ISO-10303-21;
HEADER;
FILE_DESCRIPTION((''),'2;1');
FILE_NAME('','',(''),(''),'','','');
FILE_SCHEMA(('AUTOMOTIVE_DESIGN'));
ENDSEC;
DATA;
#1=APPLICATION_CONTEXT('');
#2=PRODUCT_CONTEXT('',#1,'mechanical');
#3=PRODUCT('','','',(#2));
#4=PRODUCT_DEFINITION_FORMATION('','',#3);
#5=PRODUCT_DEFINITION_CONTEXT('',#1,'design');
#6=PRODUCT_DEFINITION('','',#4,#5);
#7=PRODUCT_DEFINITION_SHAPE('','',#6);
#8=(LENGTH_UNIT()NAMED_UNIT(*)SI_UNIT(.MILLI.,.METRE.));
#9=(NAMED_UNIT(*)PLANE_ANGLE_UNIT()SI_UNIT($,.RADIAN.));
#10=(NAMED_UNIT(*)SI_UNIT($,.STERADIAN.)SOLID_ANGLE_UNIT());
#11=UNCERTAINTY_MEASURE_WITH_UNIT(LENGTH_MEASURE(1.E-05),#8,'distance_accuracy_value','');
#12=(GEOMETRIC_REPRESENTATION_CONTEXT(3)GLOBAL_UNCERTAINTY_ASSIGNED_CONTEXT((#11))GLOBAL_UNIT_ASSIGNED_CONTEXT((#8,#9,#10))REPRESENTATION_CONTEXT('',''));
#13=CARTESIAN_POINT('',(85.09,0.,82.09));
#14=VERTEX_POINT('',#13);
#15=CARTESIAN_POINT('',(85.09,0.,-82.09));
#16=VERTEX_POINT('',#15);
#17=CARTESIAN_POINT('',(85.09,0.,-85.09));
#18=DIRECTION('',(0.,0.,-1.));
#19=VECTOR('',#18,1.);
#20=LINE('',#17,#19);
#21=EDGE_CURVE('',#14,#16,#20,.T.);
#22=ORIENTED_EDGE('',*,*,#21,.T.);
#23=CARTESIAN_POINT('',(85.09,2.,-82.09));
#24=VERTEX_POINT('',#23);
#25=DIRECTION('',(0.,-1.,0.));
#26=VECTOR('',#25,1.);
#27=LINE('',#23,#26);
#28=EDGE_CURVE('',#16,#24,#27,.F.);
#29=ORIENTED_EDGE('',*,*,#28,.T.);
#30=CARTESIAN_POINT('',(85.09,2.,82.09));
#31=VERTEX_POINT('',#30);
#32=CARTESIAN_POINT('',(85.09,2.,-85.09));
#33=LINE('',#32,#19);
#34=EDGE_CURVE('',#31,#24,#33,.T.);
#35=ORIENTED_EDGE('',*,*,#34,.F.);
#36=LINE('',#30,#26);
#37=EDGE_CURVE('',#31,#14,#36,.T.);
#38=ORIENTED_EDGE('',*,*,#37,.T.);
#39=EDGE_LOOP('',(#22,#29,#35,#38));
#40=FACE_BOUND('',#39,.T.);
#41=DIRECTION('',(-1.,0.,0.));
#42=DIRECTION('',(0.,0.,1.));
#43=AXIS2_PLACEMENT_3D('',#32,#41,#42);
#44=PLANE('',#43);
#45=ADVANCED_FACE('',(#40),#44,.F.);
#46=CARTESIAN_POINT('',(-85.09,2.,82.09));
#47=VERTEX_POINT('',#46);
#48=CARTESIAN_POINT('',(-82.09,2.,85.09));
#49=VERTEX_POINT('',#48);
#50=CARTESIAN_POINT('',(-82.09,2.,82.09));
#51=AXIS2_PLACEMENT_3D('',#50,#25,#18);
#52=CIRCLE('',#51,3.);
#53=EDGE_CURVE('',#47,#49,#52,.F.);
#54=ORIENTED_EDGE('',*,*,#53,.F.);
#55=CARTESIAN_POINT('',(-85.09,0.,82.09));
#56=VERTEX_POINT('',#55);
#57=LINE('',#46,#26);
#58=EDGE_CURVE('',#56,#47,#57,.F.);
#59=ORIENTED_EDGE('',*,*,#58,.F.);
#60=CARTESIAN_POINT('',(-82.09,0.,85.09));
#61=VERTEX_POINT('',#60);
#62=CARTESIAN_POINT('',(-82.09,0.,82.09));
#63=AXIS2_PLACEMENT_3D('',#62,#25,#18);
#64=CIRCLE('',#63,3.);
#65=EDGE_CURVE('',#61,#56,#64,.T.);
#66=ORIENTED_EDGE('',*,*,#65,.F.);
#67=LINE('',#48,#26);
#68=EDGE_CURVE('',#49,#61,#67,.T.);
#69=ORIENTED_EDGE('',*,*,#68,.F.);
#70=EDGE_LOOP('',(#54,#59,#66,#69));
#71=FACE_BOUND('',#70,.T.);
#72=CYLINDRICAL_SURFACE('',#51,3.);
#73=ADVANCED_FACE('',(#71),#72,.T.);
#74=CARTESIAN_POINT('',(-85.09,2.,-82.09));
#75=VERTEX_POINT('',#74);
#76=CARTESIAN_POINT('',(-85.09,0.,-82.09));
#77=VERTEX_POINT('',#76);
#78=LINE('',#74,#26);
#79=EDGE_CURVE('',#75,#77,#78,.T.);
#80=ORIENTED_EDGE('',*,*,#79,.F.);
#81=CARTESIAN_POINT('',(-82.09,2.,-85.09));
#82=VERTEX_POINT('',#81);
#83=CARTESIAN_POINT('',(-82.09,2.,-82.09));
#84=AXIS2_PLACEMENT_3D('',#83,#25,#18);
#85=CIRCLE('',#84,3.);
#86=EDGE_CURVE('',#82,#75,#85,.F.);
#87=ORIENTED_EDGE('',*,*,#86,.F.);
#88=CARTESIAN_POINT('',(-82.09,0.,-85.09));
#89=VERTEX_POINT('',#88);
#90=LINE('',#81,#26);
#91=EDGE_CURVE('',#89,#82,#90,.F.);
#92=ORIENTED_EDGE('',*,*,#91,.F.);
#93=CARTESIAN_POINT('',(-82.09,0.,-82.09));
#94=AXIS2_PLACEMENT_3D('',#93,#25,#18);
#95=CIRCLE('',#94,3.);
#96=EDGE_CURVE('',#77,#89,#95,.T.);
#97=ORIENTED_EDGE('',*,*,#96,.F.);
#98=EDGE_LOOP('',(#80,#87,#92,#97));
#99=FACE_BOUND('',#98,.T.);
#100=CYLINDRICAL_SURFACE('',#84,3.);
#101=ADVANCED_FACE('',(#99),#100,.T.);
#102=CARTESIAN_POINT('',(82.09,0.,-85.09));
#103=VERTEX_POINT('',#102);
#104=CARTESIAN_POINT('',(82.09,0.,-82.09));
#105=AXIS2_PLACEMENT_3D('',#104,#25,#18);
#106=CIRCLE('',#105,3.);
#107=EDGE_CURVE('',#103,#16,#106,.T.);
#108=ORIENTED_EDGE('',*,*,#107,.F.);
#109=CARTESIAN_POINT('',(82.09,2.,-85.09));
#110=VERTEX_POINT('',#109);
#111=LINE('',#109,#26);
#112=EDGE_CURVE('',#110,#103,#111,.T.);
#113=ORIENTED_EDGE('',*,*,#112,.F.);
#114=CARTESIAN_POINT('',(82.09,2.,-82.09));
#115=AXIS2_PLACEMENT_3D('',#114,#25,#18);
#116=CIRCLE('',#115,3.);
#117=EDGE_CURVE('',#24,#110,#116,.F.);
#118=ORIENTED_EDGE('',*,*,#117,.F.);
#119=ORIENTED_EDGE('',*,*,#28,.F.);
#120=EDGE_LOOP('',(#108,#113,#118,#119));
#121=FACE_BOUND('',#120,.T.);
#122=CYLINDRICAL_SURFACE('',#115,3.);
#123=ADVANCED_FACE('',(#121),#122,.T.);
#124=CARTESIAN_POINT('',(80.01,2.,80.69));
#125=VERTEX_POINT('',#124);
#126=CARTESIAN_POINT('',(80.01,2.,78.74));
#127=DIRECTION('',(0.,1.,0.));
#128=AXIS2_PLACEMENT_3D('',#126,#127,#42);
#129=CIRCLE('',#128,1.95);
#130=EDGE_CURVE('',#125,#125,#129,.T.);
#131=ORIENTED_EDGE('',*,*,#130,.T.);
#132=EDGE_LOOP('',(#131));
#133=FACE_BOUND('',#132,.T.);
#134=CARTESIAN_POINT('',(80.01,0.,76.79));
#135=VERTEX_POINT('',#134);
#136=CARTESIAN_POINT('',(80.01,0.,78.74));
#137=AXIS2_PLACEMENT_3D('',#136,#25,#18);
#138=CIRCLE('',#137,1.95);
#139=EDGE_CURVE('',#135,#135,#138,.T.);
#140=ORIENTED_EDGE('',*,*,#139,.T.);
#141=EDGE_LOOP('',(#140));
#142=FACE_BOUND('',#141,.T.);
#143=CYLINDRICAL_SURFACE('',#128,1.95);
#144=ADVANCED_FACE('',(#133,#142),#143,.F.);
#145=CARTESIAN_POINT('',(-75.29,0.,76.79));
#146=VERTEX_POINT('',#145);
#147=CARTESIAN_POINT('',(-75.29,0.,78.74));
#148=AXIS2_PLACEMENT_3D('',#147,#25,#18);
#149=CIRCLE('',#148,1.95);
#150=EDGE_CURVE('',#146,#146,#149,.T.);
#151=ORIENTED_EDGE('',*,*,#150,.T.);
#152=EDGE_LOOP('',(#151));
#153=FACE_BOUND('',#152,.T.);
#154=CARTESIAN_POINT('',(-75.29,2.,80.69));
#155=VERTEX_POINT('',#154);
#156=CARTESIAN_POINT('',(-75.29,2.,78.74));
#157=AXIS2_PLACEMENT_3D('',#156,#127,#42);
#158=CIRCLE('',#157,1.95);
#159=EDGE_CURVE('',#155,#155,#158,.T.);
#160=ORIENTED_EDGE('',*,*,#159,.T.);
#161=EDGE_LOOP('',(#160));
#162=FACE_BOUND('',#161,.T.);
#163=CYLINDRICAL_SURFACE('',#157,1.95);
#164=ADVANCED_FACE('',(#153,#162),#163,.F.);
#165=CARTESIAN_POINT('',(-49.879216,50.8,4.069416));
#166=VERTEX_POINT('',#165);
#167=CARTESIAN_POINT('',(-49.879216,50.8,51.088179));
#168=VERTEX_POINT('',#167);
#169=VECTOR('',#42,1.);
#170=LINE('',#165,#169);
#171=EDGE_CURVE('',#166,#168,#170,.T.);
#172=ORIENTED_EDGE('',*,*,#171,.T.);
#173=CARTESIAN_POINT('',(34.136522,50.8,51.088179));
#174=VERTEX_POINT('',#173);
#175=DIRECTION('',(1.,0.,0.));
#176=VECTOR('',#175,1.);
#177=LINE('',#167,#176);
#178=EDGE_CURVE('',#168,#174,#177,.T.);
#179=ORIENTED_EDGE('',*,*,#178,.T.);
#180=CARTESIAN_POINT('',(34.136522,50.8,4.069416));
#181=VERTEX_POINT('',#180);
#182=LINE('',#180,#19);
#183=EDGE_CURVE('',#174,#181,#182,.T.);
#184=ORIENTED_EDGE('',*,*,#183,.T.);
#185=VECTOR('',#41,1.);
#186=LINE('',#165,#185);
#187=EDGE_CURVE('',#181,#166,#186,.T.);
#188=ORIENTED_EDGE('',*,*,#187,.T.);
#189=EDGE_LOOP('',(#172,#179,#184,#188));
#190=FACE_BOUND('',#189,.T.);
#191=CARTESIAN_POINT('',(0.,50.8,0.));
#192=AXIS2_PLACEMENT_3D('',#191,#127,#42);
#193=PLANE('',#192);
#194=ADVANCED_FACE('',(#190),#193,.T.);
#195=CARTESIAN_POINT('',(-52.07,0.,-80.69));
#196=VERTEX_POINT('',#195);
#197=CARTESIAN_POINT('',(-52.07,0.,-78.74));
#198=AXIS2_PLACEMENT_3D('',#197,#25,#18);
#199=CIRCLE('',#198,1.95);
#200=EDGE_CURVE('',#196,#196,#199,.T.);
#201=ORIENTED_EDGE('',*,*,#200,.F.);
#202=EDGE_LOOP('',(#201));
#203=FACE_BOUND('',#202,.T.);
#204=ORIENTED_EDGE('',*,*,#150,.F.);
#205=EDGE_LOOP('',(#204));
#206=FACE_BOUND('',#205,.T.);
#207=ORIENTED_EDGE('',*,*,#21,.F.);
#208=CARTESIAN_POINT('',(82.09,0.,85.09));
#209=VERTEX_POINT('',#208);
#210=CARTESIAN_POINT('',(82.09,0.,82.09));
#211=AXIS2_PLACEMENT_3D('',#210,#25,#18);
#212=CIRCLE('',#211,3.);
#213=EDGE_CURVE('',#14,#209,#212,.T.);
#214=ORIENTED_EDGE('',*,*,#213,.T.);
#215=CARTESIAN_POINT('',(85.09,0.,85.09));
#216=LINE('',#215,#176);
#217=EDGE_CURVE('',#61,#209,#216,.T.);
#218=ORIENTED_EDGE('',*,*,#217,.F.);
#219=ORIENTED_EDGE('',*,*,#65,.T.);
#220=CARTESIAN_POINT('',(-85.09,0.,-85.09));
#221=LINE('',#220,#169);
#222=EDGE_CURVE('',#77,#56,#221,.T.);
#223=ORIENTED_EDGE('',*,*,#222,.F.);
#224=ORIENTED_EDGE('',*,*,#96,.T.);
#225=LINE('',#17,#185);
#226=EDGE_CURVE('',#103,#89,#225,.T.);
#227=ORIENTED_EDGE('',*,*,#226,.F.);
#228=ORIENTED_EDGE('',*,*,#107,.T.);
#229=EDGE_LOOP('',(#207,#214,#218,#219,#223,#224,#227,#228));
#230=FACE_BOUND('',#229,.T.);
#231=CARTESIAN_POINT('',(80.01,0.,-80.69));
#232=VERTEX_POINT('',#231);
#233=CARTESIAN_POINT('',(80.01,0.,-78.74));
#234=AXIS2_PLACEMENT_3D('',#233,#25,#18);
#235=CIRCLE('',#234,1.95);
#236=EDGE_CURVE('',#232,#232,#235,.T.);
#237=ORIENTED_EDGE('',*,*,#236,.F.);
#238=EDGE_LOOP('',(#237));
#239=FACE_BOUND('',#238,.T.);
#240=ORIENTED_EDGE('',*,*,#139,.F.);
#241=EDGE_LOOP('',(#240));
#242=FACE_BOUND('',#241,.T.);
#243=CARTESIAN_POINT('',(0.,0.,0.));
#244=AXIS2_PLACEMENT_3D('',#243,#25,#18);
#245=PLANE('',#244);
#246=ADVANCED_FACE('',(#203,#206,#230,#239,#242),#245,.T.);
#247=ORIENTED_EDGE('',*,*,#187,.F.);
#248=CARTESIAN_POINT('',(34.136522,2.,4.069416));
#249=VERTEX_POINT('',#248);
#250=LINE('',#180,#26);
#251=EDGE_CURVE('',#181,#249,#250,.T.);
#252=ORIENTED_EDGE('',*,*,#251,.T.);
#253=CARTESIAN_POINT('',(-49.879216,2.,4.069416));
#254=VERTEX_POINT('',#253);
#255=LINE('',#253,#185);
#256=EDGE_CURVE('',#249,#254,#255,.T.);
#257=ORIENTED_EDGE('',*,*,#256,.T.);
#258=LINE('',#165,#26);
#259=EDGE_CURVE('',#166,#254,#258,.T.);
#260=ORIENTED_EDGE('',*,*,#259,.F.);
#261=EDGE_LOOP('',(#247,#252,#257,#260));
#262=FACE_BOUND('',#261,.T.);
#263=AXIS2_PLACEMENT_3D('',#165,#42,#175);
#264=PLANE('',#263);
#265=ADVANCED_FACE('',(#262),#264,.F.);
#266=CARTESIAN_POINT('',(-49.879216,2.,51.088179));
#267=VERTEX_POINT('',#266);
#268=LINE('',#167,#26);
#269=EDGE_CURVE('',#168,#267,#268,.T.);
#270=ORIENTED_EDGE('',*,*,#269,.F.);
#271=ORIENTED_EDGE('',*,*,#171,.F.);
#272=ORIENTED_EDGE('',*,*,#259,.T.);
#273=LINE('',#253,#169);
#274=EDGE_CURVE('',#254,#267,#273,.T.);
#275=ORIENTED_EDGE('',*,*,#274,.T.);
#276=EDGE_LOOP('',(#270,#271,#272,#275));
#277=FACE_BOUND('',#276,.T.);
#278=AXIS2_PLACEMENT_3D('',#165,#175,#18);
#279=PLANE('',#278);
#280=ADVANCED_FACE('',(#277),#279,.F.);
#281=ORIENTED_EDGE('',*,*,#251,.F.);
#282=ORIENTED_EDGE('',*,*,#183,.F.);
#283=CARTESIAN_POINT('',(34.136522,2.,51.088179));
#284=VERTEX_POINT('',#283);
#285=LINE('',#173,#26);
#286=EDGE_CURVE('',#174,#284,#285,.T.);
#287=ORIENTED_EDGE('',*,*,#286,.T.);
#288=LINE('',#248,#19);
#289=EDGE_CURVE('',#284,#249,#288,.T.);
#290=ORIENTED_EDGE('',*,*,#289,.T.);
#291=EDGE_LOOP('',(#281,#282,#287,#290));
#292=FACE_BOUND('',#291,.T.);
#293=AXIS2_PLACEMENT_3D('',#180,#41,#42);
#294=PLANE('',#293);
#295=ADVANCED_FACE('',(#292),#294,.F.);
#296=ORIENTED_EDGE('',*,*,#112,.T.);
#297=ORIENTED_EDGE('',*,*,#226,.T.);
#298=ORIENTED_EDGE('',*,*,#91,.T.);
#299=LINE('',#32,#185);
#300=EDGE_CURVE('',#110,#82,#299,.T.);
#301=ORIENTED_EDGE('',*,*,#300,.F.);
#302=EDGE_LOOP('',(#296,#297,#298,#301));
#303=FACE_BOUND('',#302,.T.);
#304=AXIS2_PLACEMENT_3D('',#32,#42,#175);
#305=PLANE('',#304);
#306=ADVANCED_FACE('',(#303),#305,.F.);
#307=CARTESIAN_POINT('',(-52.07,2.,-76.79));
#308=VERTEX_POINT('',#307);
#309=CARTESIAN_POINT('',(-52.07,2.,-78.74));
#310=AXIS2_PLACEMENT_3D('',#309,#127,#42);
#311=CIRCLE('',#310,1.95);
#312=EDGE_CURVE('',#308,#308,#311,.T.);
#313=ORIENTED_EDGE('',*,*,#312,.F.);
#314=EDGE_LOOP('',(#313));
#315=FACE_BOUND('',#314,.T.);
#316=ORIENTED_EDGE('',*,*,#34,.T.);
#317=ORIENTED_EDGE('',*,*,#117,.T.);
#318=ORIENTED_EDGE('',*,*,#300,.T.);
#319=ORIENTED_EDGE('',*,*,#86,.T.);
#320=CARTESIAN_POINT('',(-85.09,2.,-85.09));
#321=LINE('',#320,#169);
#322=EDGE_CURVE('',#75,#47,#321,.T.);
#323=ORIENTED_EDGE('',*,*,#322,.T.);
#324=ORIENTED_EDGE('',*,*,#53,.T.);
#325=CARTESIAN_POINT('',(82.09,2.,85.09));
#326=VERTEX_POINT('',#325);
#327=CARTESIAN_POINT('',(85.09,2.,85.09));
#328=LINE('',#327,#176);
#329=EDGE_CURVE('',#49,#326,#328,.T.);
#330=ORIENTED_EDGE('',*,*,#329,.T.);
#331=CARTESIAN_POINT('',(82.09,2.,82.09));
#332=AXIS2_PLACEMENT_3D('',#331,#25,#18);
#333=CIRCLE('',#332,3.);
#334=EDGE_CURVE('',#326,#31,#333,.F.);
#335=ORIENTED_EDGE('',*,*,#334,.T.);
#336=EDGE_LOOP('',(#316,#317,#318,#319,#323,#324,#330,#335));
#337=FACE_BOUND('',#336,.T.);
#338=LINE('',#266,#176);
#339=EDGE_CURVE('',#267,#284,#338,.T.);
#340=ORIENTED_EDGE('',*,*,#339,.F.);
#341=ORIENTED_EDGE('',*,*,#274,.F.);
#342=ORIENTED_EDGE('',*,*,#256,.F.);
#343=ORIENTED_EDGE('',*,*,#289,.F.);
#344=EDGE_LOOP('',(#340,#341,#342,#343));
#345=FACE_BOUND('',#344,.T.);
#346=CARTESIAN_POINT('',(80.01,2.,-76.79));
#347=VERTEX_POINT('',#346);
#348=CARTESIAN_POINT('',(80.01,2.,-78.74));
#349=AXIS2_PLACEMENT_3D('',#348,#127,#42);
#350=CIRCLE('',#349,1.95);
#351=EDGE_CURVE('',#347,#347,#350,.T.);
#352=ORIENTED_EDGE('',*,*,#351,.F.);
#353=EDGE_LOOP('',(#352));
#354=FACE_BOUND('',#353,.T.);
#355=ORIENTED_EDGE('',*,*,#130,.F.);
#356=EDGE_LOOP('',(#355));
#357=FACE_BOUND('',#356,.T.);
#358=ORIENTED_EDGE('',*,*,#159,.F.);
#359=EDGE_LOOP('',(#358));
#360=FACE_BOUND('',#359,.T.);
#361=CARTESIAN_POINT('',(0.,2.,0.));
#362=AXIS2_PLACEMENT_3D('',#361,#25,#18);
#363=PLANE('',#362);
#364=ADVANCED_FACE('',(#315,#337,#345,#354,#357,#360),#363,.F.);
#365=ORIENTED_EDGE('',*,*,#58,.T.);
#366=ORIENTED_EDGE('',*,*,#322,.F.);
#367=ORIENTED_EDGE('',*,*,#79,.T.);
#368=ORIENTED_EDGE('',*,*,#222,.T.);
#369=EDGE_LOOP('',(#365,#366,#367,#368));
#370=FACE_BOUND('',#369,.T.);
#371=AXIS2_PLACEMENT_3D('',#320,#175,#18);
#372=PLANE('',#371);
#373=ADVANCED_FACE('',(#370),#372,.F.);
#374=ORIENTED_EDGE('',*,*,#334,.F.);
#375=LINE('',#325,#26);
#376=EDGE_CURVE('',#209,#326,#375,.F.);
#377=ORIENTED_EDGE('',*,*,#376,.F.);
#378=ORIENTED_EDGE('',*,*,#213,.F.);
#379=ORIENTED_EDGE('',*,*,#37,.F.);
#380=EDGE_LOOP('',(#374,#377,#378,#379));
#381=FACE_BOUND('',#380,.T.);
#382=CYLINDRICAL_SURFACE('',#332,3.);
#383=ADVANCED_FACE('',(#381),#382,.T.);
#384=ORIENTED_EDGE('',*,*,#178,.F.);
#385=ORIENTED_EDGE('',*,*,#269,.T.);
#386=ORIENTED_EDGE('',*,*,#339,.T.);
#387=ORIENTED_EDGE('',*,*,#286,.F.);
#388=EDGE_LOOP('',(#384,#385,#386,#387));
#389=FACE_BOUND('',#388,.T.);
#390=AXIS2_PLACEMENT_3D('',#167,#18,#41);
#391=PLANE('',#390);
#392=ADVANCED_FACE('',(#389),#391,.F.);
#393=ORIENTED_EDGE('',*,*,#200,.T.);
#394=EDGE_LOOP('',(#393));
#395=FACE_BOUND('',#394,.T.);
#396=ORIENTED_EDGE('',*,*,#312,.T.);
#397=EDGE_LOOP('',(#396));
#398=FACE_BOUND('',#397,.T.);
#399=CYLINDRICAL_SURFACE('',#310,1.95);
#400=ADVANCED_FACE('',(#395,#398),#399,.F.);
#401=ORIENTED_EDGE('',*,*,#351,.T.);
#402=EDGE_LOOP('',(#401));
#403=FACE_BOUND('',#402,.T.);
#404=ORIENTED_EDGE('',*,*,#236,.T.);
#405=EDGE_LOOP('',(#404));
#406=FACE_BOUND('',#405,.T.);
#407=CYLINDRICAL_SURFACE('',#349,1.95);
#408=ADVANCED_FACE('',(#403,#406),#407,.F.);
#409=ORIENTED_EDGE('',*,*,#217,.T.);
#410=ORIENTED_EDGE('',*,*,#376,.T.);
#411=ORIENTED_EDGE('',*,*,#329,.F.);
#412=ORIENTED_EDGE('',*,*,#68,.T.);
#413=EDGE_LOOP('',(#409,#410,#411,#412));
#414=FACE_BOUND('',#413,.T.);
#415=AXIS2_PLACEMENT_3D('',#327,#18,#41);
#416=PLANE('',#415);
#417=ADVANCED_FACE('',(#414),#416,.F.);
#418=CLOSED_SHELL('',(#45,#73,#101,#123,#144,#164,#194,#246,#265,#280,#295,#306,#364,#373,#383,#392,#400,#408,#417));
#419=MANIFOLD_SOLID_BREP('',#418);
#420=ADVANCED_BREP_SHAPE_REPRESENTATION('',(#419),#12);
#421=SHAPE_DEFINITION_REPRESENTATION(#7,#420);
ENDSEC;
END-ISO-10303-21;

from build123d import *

# Parameters (mm, degrees)
SKETCH1_W                      = 170.18
SKETCH1_H                      = 170.18
BOSS_EXTRUDE1_DEPTH            = 2
SKETCH2_W                      = 84.015738727
SKETCH2_H                      = 47.018762818
BOSS_EXTRUDE2_DEPTH            = 48.8
FILLET1_R                      = 3
F_3_9_3_9_DIAMETER_HOLE1_D     = 3.9
F_3_9_3_9_DIAMETER_HOLE1_DEPTH = 18.75
F_3_9_3_9_DIAMETER_HOLE1_TIP   = 1.171678207


with BuildPart() as part:
    # Sketch1 → Boss-Extrude1 (new body)
    with BuildSketch(Plane(origin=(0, 0, 0), x_dir=(1, 0, 0), z_dir=(0, 1, 0))):
        Rectangle(SKETCH1_W, SKETCH1_H)
    extrude(amount=BOSS_EXTRUDE1_DEPTH)

    # Sketch2 → Boss-Extrude2 (add)
    with BuildSketch(Plane(origin=(0, 2, 0), x_dir=(1, 0, 0), z_dir=(0, 1, 0))):
        with Locations((-7.871346986, -27.578797891)):
            Rectangle(SKETCH2_W, SKETCH2_H)
    extrude(amount=BOSS_EXTRUDE2_DEPTH)

    # Fillet1
    fillet1_edges = [part.edges().sort_by_distance(p)[0] for p in [
        (-85.09, 1, -85.09),
        (85.09, 1, -85.09),
        (85.09, 1, 85.09),
        (-85.09, 1, 85.09),
    ]]
    fillet(fillet1_edges, radius=FILLET1_R)

    # Ø3.9 (3.9) Diameter Hole1
    with Locations(Plane(origin=(0, 2, 0), x_dir=(1, 0, 0), z_dir=(0, 1, 0))):
        with Locations((-75.29, -78.74), (80.01, -78.74), (80.01, 78.74), (-52.07, 78.74)):
            Hole(F_3_9_3_9_DIAMETER_HOLE1_D / 2, depth=F_3_9_3_9_DIAMETER_HOLE1_DEPTH)
            with Locations((0, 0, -(F_3_9_3_9_DIAMETER_HOLE1_DEPTH + F_3_9_3_9_DIAMETER_HOLE1_TIP / 2))):  # 118° drill point
                Cone(0, F_3_9_3_9_DIAMETER_HOLE1_D / 2, F_3_9_3_9_DIAMETER_HOLE1_TIP, mode=Mode.SUBTRACT)


solid = part.part
